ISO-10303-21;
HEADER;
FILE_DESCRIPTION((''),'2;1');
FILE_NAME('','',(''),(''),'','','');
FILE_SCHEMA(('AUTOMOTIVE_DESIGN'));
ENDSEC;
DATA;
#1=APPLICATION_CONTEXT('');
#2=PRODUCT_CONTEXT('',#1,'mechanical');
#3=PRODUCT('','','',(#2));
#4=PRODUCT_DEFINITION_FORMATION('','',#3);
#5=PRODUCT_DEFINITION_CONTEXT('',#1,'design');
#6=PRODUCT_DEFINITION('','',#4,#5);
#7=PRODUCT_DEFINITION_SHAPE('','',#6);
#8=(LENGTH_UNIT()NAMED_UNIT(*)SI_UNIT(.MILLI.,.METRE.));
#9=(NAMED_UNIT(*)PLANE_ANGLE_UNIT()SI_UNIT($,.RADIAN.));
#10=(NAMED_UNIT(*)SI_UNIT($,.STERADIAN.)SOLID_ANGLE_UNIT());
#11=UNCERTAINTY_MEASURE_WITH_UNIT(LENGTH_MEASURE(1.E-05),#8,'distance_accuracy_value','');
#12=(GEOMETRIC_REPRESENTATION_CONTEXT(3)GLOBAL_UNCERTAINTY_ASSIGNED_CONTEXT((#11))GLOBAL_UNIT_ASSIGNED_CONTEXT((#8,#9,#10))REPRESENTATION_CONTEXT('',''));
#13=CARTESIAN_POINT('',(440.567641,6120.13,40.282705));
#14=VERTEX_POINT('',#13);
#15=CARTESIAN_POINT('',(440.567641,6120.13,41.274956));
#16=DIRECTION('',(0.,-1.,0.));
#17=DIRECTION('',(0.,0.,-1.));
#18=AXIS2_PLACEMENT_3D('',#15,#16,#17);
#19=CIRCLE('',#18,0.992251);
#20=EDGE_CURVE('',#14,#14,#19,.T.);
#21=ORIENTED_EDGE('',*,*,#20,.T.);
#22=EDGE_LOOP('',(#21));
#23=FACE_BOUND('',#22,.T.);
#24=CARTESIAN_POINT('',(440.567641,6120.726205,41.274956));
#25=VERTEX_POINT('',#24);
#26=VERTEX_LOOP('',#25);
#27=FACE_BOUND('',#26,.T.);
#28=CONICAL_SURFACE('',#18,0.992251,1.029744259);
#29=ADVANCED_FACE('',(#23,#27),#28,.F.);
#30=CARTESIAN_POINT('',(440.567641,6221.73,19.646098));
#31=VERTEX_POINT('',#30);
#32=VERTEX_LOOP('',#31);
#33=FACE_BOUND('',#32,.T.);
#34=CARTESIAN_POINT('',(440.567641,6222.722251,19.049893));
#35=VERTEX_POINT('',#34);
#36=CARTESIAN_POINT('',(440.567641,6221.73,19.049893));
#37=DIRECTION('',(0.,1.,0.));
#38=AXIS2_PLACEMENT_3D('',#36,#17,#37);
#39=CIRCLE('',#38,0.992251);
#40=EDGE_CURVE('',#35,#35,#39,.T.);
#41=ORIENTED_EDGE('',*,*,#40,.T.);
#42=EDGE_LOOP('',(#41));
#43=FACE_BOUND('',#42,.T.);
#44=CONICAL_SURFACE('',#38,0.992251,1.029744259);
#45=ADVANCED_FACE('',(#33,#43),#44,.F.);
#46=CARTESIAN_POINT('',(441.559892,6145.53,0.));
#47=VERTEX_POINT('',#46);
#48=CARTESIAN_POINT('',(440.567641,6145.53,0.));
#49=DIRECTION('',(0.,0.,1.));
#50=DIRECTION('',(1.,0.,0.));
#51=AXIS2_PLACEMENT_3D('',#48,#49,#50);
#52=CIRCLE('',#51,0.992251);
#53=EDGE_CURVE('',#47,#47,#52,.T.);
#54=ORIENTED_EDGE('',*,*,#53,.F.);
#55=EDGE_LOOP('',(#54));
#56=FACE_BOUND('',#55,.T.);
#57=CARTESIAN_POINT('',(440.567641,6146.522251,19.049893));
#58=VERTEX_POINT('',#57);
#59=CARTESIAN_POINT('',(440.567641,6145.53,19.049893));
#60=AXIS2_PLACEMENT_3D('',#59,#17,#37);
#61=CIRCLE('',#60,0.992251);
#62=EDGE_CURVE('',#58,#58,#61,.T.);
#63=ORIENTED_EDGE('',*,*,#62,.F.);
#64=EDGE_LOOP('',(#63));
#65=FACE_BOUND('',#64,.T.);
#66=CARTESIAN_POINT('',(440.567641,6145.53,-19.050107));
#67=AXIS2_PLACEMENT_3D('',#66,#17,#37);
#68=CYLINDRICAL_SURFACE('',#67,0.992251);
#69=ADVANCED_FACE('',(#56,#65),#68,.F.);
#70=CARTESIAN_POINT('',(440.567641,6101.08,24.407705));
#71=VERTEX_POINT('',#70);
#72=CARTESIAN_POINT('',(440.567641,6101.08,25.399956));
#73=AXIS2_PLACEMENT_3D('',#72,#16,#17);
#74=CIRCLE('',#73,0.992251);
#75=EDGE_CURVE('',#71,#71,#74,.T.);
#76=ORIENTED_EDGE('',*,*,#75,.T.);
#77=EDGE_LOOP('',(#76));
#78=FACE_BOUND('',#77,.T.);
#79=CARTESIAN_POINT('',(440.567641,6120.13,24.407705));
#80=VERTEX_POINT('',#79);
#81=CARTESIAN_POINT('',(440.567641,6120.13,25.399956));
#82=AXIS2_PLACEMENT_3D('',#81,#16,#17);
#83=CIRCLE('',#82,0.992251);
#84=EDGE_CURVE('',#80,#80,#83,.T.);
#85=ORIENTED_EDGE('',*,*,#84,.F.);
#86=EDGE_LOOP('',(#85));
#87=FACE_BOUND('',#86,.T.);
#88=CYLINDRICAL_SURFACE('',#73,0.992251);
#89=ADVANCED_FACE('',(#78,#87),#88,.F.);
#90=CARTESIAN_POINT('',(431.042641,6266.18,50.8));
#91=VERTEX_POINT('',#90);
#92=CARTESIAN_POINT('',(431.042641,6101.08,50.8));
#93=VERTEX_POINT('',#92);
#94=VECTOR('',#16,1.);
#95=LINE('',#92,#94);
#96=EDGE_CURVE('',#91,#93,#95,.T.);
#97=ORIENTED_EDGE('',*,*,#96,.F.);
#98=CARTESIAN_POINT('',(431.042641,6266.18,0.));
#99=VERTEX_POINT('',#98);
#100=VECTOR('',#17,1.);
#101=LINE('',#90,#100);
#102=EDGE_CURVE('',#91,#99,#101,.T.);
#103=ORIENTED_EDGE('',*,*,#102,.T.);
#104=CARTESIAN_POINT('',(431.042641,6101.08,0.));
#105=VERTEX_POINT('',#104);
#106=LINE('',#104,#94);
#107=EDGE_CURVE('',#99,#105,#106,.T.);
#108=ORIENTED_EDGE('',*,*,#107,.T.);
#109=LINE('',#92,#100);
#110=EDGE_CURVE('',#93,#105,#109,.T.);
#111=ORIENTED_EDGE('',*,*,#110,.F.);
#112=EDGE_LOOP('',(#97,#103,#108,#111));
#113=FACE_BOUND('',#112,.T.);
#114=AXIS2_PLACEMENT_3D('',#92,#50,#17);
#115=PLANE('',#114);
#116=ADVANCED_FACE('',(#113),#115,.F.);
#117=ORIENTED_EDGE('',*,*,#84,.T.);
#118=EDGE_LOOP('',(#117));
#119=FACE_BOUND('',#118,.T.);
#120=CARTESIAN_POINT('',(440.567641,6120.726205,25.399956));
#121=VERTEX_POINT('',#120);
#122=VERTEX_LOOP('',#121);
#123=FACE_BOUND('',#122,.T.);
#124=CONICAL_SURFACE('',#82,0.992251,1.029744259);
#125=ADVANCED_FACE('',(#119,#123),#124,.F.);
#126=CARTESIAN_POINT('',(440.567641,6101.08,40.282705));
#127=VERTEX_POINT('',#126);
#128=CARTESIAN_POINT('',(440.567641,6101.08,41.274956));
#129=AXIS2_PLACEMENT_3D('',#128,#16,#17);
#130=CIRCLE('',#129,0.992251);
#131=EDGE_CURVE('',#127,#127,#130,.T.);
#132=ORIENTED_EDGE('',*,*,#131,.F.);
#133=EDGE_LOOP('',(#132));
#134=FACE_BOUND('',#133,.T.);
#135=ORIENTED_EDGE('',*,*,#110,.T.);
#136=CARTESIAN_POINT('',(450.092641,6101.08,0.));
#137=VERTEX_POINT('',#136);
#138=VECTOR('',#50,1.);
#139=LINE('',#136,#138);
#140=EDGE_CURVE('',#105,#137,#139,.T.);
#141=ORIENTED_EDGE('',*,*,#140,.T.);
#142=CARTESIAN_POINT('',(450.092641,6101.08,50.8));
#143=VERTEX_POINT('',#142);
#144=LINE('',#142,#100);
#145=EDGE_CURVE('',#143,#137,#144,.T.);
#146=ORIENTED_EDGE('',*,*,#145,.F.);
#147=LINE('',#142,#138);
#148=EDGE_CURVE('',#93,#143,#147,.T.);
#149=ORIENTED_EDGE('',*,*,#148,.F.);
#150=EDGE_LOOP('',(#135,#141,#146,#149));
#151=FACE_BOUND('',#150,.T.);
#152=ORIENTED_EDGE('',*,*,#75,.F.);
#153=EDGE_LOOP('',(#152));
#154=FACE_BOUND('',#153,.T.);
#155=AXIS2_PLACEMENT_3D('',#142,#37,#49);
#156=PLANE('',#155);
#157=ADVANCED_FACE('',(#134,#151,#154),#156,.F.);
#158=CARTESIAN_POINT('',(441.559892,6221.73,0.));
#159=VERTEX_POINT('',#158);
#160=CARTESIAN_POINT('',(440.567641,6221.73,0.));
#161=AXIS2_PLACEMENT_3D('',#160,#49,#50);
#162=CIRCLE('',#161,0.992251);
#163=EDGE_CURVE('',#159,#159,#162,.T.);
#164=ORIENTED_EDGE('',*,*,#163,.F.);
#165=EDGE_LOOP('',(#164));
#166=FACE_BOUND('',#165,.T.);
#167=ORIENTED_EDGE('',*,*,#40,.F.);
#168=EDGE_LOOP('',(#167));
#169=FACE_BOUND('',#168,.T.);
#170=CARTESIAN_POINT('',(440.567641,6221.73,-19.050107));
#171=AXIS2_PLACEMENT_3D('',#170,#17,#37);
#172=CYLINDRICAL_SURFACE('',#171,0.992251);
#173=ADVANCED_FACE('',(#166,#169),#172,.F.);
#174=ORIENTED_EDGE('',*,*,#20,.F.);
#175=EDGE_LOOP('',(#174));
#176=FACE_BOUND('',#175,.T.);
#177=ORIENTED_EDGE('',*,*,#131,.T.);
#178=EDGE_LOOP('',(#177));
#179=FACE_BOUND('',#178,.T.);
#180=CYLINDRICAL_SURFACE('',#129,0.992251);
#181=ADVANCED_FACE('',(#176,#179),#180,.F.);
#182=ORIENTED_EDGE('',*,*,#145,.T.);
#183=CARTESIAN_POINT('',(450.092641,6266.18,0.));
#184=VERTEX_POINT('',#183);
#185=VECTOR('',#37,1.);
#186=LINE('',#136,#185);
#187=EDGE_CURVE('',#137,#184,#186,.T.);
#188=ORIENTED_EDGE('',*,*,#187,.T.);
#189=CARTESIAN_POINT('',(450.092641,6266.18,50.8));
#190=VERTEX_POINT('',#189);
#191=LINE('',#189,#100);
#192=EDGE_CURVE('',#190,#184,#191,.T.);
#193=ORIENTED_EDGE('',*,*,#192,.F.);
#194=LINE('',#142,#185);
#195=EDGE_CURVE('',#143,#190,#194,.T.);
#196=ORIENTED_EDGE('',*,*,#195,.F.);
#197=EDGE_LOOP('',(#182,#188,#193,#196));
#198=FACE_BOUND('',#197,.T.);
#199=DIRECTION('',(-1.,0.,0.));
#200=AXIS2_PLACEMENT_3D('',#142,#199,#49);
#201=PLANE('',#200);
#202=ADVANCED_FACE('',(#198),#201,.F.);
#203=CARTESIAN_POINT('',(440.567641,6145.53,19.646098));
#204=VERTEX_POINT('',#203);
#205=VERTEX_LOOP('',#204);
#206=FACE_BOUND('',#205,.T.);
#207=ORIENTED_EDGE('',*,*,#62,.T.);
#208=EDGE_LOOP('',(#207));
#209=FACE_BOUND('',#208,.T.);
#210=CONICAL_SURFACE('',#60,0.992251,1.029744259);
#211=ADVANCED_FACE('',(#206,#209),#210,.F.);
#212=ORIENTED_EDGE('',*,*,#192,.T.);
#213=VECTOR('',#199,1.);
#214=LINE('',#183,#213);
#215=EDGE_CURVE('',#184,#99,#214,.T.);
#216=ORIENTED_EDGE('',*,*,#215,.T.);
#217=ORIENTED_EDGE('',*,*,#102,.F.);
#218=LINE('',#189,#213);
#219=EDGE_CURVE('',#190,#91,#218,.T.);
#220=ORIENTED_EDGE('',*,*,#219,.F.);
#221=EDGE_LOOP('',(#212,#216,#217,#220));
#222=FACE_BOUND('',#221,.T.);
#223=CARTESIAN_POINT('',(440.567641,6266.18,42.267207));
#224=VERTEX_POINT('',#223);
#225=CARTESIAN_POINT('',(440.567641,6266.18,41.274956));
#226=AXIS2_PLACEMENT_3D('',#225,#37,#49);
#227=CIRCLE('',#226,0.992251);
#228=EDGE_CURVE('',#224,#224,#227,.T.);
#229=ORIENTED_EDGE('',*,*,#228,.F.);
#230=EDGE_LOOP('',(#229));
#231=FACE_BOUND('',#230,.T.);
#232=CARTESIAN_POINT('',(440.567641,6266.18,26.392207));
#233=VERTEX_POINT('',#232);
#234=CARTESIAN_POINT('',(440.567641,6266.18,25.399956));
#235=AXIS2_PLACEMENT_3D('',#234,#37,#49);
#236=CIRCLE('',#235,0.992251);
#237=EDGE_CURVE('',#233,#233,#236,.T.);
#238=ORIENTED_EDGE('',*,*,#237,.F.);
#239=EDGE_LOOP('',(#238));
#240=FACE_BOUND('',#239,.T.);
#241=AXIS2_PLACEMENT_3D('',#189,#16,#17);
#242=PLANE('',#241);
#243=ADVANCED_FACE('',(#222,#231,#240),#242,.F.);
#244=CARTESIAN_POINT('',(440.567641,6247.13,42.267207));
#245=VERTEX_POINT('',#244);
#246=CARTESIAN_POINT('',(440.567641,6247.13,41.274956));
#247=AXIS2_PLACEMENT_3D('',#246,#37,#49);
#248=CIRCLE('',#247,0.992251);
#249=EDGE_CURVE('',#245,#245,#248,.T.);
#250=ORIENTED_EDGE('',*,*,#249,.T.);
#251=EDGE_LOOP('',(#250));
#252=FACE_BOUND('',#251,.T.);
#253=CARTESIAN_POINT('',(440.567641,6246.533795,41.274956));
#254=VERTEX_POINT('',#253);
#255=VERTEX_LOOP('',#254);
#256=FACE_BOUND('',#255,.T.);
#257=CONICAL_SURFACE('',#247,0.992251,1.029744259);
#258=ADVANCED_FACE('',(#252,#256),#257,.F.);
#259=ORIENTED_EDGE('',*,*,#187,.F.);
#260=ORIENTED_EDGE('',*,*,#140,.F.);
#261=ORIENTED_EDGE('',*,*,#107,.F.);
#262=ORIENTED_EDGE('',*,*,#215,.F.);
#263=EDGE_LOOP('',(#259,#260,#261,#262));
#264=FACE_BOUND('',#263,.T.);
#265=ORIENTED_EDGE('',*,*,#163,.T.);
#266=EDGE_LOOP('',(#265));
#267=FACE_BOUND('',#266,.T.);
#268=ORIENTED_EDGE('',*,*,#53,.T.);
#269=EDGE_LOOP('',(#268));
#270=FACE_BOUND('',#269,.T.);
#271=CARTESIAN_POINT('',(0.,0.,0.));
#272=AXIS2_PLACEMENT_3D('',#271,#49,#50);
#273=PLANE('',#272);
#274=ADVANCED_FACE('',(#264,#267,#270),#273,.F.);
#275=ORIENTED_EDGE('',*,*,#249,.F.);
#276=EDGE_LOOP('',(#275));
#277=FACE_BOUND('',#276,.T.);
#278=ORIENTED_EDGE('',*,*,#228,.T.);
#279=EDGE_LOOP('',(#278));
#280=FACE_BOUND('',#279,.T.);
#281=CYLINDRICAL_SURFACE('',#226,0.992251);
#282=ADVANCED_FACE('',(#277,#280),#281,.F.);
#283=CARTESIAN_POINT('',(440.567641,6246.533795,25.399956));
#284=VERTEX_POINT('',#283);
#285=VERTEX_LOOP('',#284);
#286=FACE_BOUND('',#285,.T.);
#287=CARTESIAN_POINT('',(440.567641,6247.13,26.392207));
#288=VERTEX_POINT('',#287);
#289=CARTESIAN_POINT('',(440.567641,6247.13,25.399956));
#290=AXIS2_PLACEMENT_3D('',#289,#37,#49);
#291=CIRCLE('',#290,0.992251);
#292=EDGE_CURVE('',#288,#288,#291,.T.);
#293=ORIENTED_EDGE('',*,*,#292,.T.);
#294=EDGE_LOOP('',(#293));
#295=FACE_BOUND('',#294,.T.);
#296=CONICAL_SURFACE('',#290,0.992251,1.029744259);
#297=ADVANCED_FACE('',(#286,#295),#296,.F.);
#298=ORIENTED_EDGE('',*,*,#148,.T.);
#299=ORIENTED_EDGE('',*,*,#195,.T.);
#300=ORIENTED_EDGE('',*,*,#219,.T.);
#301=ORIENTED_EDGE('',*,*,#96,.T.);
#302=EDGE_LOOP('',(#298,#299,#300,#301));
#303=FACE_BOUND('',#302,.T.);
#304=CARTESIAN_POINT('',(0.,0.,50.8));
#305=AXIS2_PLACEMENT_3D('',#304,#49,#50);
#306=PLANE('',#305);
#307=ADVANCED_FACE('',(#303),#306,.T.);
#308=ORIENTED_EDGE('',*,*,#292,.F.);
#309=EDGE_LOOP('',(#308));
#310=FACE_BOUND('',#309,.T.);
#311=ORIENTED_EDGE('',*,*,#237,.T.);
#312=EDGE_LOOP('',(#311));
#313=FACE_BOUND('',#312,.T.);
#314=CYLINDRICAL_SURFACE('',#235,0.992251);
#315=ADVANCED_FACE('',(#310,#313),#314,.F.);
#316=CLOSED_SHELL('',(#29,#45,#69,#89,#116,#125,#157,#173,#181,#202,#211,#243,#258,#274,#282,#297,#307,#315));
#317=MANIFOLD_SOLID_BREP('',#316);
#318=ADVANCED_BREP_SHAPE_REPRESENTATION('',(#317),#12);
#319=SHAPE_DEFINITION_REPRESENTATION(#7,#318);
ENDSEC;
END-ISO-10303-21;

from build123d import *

# Parameters (mm, degrees)
SKETCH1_W                           = 19.05
SKETCH1_H                           = 165.099999729
BOSS_EXTRUDE1_DEPTH                 = 50.8
F_5_64_0_07813_DIAMETER_HOLE1_D     = 1.984502
F_5_64_0_07813_DIAMETER_HOLE1_DEPTH = 38.1
F_5_64_0_07813_DIAMETER_HOLE1_TIP   = 0.59620455
F_5_64_0_07813_DIAMETER_HOLE2_D     = 1.984502
F_5_64_0_07813_DIAMETER_HOLE2_DEPTH = 19.05
F_5_64_0_07813_DIAMETER_HOLE2_TIP   = 0.59620455
F_5_64_0_07813_DIAMETER_HOLE3_D     = 1.984502
F_5_64_0_07813_DIAMETER_HOLE3_DEPTH = 19.05
F_5_64_0_07813_DIAMETER_HOLE3_TIP   = 0.59620455


with BuildPart() as part:
    # Sketch1 → Boss-Extrude1 (new body)
    with BuildSketch(Plane.XY):
        with Locations((440.567640906, 6183.630000136)):
            Rectangle(SKETCH1_W, SKETCH1_H)
    extrude(amount=BOSS_EXTRUDE1_DEPTH)

    # 5/64 (0.07813) Diameter Hole1
    with Locations(Plane(origin=(4.968994719, 3.22e-07, -19.050107671), x_dir=(-1, 0, 0), z_dir=(0, 0, -1))):
        with Locations((-481.589248274, 6993.254992531), (-386.339248274, 6993.254992531), (-291.089248274, 6993.254992531), (-295.274999999, 6965.135938475), (-295.274999999, 6812.735938475), (-295.274999999, 6660.335938474), (-285.166362357, 6631.468843414), (-475.477307398, 6631.468752771), (-485.002307398, 6660.335938474), (-485.002307398, 6812.735938474), (-485.002307398, 6965.135938474), (-478.365617646, 6611.6708), (-287.865617646, 6611.6708), (-307.975, 6564.3379), (-307.975, 6488.1379), (-284.960913066, 6440.805), (-380.210913066, 6440.805), (-475.460913066, 6440.805), (-446.831312422, 6488.1379), (-446.831312422, 6564.3379), (-472.231312422, 6396.355), (-472.231312422, 6320.155), (-472.653156211, 6275.705000839), (-377.403156211, 6275.705000839), (-282.153156211, 6275.705000839), (-282.575, 6320.155), (-282.575, 6396.355), (-435.598646187, 6221.729999816), (-435.598646187, 6145.529999816), (-450.592518112, 6091.554999951), (-460.998646187, 6091.555478285), (-460.998646187, 6056.629999944), (-460.998646187, 5980.429999944), (-460.998646187, 5945.505000042), (-282.153156211, 5945.505000042), (-368.611823093, 5945.505000042)):
            Hole(F_5_64_0_07813_DIAMETER_HOLE1_D / 2, depth=F_5_64_0_07813_DIAMETER_HOLE1_DEPTH)
            with Locations((0, 0, -(F_5_64_0_07813_DIAMETER_HOLE1_DEPTH + F_5_64_0_07813_DIAMETER_HOLE1_TIP / 2))):  # 118° drill point
                Cone(0, F_5_64_0_07813_DIAMETER_HOLE1_D / 2, F_5_64_0_07813_DIAMETER_HOLE1_TIP, mode=Mode.SUBTRACT)

    # 5/64 (0.07813) Diameter Hole2
    with Locations(Plane(origin=(0, 6101.080000271, 0), x_dir=(-1, 0, 0), z_dir=(0, -1, 0))):
        with Locations((-440.567640906, -41.274956045), (-440.567640906, -25.399956045)):
            Hole(F_5_64_0_07813_DIAMETER_HOLE2_D / 2, depth=F_5_64_0_07813_DIAMETER_HOLE2_DEPTH)
            with Locations((0, 0, -(F_5_64_0_07813_DIAMETER_HOLE2_DEPTH + F_5_64_0_07813_DIAMETER_HOLE2_TIP / 2))):  # 118° drill point
                Cone(0, F_5_64_0_07813_DIAMETER_HOLE2_D / 2, F_5_64_0_07813_DIAMETER_HOLE2_TIP, mode=Mode.SUBTRACT)

    # 5/64 (0.07813) Diameter Hole3
    with Locations(Plane(origin=(0, 6266.18, 0), x_dir=(1, 0, 0), z_dir=(0, 1, 0))):
        with Locations((440.567640906, -25.399956045), (440.567640906, -41.274956045)):
            Hole(F_5_64_0_07813_DIAMETER_HOLE3_D / 2, depth=F_5_64_0_07813_DIAMETER_HOLE3_DEPTH)
            with Locations((0, 0, -(F_5_64_0_07813_DIAMETER_HOLE3_DEPTH + F_5_64_0_07813_DIAMETER_HOLE3_TIP / 2))):  # 118° drill point
                Cone(0, F_5_64_0_07813_DIAMETER_HOLE3_D / 2, F_5_64_0_07813_DIAMETER_HOLE3_TIP, mode=Mode.SUBTRACT)


solid = part.part
